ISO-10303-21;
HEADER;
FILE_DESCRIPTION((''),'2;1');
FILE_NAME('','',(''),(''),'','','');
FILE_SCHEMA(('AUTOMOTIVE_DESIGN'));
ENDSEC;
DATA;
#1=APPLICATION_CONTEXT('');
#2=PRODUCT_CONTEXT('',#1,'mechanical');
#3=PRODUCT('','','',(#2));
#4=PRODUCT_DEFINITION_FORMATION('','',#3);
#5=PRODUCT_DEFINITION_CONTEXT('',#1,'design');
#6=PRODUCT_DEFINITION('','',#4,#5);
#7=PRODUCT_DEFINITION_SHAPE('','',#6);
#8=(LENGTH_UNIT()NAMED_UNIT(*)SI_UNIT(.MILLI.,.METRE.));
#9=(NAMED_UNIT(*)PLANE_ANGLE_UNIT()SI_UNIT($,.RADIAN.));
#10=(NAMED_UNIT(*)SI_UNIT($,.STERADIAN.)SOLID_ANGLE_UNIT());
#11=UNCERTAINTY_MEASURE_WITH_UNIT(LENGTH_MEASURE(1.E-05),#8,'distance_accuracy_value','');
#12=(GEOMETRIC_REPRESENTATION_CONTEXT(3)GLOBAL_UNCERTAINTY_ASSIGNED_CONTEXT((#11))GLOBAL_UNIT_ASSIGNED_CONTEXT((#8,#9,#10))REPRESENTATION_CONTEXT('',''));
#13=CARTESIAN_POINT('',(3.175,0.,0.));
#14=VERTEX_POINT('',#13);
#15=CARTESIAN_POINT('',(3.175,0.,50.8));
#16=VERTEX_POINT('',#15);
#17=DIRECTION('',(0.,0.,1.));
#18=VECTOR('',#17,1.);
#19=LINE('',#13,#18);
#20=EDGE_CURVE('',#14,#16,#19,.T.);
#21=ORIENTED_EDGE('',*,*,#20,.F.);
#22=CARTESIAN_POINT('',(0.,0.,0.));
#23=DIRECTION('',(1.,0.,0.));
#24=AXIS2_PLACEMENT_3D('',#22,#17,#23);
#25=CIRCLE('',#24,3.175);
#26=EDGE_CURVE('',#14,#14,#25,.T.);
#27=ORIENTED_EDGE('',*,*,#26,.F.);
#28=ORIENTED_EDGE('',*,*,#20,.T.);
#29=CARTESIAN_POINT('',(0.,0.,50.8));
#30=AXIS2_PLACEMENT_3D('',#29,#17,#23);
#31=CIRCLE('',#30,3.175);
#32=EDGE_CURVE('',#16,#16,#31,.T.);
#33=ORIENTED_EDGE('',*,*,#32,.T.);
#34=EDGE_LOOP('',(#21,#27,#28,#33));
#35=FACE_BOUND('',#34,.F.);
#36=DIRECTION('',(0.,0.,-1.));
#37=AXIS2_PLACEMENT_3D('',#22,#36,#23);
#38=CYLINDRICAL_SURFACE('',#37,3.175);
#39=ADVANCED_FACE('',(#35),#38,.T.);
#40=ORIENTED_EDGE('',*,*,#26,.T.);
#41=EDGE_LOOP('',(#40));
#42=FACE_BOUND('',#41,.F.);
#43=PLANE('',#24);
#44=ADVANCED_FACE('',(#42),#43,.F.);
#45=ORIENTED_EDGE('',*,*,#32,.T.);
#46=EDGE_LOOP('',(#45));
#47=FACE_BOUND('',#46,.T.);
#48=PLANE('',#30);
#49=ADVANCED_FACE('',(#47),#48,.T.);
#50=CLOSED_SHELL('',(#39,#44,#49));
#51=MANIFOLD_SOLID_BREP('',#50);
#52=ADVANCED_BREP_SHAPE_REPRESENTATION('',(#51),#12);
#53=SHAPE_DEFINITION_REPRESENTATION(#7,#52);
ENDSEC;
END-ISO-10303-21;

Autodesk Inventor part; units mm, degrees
ref_plane "YZ Plane" through (0, 0, 0) normal (1, 0, 0) x (0, 1, 0)
ref_plane "XZ Plane" through (0, 0, 0) normal (0, 1, 0) x (-1, 0, 0)
ref_plane "XY Plane" through (0, 0, 0) normal (0, 0, 1) x (1, 0, 0)
sketch "Sketch1" plane through (0, 0, 0) normal (0, 0, 1) x (1, 0, 0)
  circle A0 centre (0, 0) radius 3.175
  dimension "d0" = 6.35
extrude "Extrusion1" add sketch "Sketch1" along normal blind 50.8
properties part number "Standoff"
